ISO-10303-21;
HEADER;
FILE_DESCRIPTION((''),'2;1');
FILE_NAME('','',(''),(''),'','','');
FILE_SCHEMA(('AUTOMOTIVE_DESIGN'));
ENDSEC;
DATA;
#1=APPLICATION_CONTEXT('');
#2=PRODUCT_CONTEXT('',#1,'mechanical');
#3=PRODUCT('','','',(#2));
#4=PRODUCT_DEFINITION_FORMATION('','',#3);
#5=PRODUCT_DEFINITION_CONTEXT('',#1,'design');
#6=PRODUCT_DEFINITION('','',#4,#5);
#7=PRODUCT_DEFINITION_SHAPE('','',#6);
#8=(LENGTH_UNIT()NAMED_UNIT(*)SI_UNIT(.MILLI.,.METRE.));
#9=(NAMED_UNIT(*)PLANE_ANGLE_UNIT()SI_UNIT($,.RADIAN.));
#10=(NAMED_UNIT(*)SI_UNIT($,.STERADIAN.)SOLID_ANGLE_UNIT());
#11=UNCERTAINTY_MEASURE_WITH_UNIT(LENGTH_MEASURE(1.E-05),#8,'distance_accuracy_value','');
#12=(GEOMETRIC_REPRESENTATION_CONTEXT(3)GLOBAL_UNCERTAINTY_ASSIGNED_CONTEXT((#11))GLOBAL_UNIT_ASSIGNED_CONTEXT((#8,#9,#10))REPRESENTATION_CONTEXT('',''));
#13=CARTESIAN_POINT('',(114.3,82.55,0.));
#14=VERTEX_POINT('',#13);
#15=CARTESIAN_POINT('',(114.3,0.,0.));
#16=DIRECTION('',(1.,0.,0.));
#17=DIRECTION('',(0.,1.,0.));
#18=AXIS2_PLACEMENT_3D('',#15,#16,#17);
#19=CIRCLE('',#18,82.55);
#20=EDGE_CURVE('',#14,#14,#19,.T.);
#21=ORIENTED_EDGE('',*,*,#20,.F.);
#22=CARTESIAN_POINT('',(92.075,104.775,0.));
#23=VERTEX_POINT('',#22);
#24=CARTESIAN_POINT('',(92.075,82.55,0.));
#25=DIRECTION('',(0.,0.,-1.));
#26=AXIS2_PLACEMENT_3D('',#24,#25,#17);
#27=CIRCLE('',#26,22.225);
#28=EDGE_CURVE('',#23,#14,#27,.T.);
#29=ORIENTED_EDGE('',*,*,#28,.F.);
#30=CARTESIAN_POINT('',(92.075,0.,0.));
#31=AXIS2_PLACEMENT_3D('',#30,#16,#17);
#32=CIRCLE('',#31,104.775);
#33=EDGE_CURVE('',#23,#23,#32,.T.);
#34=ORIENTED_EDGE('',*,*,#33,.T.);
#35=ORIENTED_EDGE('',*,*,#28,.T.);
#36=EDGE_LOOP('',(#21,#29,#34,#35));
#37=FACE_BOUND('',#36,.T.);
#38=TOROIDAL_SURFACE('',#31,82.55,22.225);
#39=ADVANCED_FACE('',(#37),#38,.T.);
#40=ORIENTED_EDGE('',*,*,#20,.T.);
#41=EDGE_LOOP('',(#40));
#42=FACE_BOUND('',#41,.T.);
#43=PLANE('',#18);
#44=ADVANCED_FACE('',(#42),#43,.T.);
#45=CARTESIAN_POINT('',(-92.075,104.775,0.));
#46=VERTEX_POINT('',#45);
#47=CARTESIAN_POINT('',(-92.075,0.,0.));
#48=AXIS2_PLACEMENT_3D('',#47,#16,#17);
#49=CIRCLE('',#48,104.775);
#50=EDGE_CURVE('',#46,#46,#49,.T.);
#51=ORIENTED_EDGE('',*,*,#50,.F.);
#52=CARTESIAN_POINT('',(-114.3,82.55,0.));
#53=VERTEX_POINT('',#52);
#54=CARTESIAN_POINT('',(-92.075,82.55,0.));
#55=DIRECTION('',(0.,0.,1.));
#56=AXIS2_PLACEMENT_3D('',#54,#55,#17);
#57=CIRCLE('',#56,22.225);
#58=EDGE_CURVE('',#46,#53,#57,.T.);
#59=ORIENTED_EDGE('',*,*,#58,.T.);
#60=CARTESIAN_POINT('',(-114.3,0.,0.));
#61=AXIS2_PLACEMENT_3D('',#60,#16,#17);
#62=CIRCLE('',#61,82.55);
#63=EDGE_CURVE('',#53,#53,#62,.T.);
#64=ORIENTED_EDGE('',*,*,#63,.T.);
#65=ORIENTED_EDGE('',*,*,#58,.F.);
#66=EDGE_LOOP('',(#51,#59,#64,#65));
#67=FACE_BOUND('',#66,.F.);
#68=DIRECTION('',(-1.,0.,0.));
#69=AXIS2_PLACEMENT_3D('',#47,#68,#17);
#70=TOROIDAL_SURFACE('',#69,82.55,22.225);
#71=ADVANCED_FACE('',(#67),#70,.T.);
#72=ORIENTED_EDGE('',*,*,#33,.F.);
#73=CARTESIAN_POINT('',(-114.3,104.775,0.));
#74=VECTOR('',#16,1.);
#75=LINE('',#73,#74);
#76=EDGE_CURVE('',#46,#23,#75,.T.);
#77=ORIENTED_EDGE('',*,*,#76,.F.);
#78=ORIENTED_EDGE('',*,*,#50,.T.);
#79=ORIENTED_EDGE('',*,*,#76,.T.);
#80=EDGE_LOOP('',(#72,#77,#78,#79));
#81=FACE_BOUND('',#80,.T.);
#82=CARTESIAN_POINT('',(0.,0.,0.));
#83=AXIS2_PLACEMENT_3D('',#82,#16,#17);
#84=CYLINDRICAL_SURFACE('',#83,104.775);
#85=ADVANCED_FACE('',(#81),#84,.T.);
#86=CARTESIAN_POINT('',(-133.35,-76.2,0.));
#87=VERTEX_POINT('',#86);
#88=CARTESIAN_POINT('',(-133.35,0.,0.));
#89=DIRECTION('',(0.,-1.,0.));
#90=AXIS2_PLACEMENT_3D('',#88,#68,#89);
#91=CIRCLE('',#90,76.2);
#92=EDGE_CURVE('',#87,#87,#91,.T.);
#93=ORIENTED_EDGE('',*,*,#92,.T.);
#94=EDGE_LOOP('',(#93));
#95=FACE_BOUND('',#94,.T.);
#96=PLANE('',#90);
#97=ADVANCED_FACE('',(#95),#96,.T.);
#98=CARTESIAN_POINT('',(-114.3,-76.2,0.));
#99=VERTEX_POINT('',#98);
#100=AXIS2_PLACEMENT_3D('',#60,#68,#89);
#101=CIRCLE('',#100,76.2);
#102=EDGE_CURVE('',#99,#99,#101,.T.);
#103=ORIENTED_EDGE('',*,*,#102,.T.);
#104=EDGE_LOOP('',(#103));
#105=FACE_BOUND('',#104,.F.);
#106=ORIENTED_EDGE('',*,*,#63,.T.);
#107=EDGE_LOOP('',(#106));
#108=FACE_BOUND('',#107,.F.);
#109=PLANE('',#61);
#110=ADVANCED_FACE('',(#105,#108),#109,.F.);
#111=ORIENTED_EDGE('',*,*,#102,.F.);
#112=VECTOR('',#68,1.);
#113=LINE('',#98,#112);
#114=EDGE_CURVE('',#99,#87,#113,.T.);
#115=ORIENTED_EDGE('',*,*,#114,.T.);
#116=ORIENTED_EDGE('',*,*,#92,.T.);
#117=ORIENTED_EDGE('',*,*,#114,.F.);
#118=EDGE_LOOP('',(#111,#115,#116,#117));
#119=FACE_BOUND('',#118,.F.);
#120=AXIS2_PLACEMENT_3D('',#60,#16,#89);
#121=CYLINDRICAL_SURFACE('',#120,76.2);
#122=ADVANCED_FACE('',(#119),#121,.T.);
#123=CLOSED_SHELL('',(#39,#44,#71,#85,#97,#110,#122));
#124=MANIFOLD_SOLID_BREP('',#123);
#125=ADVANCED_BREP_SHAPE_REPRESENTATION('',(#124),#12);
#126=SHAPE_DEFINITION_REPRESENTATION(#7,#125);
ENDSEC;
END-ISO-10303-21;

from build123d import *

# Parameters (mm, degrees)
F0_R          = 104.775
F1_DEPTH      = 114.3
F1_DEPTH_BACK = 114.3
F2_R          = 76.2
F3_DEPTH      = 19.05
F4_R          = 22.225


with BuildPart() as f1:
    # F0 (on Right) → F1 (new body, two sides)
    with BuildSketch(Plane.YZ) as f1_sk:
        Circle(F0_R)
    extrude(amount=F1_DEPTH)
    extrude(f1_sk.sketch, amount=-F1_DEPTH_BACK)

    # F2 (on face) → F3 (join)
    with BuildSketch(Plane(origin=(-114.3, 0, 0), x_dir=(0, -1, 0), z_dir=(-1, 0, 0))):
        Circle(F2_R)
    extrude(amount=F3_DEPTH)

    # F4
    f4_edges = [f1.edges().sort_by_distance(p)[0] for p in [
        (-114.3, -104.775, 0),
        (114.3, -104.775, 0),
    ]]
    fillet(f4_edges, radius=F4_R)


solid = f1.part
